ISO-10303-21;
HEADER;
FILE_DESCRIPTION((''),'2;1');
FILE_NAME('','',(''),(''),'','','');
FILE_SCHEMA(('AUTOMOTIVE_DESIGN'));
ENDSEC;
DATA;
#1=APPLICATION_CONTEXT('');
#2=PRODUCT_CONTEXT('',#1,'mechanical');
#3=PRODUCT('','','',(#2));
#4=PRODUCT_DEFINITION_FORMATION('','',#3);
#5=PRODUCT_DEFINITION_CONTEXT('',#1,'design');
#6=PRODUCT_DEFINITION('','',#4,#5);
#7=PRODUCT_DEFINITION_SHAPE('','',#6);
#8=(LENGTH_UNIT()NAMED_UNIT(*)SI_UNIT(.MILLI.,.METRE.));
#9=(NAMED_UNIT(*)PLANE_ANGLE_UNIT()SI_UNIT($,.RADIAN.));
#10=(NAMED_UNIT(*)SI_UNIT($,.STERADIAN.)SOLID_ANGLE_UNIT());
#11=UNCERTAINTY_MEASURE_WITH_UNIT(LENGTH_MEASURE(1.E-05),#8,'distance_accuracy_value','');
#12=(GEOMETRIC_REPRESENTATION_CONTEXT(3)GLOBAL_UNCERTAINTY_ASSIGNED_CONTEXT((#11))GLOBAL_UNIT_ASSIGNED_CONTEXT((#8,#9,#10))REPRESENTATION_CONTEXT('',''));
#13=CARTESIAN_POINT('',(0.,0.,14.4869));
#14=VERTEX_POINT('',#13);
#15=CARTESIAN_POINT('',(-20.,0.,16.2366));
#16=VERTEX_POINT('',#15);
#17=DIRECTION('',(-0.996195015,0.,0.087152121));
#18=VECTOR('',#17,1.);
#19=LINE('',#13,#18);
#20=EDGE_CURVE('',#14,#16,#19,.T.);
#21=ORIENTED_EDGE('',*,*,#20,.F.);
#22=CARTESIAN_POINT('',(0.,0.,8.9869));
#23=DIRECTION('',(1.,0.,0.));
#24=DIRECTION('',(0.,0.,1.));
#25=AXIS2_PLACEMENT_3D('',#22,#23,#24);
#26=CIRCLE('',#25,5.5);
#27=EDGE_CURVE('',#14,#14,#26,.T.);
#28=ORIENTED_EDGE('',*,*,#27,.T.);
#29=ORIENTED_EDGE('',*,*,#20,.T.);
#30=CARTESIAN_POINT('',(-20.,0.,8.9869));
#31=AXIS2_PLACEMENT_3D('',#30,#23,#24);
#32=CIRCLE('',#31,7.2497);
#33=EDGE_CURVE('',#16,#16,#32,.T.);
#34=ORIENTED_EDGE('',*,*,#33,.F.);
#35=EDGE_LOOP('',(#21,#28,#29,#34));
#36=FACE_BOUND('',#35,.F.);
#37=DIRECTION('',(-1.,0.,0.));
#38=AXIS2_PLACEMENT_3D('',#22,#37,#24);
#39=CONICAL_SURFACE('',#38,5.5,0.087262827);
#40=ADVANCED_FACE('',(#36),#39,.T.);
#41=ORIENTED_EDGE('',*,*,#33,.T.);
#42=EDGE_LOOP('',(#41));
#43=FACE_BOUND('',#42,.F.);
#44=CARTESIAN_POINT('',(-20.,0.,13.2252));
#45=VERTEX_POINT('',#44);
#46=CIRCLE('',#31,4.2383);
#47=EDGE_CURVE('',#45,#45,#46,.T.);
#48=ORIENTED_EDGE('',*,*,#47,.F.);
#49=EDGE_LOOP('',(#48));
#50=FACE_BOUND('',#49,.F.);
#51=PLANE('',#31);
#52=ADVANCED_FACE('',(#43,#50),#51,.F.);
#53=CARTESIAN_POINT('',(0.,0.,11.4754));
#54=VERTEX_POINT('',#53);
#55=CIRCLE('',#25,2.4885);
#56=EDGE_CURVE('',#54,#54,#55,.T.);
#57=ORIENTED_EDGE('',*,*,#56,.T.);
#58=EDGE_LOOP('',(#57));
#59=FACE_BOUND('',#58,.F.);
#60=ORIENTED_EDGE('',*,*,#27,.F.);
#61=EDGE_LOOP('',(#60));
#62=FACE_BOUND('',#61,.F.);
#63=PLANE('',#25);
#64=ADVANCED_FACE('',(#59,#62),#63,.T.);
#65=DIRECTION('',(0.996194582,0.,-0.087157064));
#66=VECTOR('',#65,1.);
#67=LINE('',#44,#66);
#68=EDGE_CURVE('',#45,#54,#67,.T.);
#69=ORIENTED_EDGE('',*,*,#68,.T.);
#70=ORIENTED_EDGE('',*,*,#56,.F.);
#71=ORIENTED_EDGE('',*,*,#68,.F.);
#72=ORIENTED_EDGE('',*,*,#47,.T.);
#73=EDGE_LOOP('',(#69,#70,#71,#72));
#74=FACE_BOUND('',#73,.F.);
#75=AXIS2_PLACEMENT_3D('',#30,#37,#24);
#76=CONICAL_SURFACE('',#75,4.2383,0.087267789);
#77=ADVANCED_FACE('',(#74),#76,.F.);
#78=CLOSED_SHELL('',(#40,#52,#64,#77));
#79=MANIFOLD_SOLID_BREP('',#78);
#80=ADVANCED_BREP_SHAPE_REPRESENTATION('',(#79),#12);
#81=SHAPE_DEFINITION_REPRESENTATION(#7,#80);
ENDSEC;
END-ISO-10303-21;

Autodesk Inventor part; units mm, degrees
ref_plane "YZ Plane" through (0, 0, 0) normal (1, 0, 0) x (0, 1, 0)
ref_plane "XZ Plane" through (0, 0, 0) normal (0, 1, 0) x (-1, 0, 0)
ref_plane "XY Plane" through (0, 0, 0) normal (0, 0, 1) x (1, 0, 0)
sketch "Sketch2" plane through (0, 0, 0) normal (0, 1, 0) x (-1, 0, 0)
  line L0 (0, 14.4869) -> (20, 16.2366)
  line L1 (20, 16.2366) -> (20, 13.2252)
  line L2 (20, 13.2252) -> (0, 11.4754)
  line L3 (0, 11.4754) -> (0, 14.4869)
  line L4 (20, 8.9869) -> (0, 8.9869) construction
  point P0 (0, 0)
  dimension "d6" = 20
  dimension "d7" = 3
  dimension "d10" = 5.5
  dimension "d11" = 95
revolve "Revolution1" add sketch "Sketch2" angle 360 about axis through (-20, 0, 8.9869) along (1, 0, 0)
